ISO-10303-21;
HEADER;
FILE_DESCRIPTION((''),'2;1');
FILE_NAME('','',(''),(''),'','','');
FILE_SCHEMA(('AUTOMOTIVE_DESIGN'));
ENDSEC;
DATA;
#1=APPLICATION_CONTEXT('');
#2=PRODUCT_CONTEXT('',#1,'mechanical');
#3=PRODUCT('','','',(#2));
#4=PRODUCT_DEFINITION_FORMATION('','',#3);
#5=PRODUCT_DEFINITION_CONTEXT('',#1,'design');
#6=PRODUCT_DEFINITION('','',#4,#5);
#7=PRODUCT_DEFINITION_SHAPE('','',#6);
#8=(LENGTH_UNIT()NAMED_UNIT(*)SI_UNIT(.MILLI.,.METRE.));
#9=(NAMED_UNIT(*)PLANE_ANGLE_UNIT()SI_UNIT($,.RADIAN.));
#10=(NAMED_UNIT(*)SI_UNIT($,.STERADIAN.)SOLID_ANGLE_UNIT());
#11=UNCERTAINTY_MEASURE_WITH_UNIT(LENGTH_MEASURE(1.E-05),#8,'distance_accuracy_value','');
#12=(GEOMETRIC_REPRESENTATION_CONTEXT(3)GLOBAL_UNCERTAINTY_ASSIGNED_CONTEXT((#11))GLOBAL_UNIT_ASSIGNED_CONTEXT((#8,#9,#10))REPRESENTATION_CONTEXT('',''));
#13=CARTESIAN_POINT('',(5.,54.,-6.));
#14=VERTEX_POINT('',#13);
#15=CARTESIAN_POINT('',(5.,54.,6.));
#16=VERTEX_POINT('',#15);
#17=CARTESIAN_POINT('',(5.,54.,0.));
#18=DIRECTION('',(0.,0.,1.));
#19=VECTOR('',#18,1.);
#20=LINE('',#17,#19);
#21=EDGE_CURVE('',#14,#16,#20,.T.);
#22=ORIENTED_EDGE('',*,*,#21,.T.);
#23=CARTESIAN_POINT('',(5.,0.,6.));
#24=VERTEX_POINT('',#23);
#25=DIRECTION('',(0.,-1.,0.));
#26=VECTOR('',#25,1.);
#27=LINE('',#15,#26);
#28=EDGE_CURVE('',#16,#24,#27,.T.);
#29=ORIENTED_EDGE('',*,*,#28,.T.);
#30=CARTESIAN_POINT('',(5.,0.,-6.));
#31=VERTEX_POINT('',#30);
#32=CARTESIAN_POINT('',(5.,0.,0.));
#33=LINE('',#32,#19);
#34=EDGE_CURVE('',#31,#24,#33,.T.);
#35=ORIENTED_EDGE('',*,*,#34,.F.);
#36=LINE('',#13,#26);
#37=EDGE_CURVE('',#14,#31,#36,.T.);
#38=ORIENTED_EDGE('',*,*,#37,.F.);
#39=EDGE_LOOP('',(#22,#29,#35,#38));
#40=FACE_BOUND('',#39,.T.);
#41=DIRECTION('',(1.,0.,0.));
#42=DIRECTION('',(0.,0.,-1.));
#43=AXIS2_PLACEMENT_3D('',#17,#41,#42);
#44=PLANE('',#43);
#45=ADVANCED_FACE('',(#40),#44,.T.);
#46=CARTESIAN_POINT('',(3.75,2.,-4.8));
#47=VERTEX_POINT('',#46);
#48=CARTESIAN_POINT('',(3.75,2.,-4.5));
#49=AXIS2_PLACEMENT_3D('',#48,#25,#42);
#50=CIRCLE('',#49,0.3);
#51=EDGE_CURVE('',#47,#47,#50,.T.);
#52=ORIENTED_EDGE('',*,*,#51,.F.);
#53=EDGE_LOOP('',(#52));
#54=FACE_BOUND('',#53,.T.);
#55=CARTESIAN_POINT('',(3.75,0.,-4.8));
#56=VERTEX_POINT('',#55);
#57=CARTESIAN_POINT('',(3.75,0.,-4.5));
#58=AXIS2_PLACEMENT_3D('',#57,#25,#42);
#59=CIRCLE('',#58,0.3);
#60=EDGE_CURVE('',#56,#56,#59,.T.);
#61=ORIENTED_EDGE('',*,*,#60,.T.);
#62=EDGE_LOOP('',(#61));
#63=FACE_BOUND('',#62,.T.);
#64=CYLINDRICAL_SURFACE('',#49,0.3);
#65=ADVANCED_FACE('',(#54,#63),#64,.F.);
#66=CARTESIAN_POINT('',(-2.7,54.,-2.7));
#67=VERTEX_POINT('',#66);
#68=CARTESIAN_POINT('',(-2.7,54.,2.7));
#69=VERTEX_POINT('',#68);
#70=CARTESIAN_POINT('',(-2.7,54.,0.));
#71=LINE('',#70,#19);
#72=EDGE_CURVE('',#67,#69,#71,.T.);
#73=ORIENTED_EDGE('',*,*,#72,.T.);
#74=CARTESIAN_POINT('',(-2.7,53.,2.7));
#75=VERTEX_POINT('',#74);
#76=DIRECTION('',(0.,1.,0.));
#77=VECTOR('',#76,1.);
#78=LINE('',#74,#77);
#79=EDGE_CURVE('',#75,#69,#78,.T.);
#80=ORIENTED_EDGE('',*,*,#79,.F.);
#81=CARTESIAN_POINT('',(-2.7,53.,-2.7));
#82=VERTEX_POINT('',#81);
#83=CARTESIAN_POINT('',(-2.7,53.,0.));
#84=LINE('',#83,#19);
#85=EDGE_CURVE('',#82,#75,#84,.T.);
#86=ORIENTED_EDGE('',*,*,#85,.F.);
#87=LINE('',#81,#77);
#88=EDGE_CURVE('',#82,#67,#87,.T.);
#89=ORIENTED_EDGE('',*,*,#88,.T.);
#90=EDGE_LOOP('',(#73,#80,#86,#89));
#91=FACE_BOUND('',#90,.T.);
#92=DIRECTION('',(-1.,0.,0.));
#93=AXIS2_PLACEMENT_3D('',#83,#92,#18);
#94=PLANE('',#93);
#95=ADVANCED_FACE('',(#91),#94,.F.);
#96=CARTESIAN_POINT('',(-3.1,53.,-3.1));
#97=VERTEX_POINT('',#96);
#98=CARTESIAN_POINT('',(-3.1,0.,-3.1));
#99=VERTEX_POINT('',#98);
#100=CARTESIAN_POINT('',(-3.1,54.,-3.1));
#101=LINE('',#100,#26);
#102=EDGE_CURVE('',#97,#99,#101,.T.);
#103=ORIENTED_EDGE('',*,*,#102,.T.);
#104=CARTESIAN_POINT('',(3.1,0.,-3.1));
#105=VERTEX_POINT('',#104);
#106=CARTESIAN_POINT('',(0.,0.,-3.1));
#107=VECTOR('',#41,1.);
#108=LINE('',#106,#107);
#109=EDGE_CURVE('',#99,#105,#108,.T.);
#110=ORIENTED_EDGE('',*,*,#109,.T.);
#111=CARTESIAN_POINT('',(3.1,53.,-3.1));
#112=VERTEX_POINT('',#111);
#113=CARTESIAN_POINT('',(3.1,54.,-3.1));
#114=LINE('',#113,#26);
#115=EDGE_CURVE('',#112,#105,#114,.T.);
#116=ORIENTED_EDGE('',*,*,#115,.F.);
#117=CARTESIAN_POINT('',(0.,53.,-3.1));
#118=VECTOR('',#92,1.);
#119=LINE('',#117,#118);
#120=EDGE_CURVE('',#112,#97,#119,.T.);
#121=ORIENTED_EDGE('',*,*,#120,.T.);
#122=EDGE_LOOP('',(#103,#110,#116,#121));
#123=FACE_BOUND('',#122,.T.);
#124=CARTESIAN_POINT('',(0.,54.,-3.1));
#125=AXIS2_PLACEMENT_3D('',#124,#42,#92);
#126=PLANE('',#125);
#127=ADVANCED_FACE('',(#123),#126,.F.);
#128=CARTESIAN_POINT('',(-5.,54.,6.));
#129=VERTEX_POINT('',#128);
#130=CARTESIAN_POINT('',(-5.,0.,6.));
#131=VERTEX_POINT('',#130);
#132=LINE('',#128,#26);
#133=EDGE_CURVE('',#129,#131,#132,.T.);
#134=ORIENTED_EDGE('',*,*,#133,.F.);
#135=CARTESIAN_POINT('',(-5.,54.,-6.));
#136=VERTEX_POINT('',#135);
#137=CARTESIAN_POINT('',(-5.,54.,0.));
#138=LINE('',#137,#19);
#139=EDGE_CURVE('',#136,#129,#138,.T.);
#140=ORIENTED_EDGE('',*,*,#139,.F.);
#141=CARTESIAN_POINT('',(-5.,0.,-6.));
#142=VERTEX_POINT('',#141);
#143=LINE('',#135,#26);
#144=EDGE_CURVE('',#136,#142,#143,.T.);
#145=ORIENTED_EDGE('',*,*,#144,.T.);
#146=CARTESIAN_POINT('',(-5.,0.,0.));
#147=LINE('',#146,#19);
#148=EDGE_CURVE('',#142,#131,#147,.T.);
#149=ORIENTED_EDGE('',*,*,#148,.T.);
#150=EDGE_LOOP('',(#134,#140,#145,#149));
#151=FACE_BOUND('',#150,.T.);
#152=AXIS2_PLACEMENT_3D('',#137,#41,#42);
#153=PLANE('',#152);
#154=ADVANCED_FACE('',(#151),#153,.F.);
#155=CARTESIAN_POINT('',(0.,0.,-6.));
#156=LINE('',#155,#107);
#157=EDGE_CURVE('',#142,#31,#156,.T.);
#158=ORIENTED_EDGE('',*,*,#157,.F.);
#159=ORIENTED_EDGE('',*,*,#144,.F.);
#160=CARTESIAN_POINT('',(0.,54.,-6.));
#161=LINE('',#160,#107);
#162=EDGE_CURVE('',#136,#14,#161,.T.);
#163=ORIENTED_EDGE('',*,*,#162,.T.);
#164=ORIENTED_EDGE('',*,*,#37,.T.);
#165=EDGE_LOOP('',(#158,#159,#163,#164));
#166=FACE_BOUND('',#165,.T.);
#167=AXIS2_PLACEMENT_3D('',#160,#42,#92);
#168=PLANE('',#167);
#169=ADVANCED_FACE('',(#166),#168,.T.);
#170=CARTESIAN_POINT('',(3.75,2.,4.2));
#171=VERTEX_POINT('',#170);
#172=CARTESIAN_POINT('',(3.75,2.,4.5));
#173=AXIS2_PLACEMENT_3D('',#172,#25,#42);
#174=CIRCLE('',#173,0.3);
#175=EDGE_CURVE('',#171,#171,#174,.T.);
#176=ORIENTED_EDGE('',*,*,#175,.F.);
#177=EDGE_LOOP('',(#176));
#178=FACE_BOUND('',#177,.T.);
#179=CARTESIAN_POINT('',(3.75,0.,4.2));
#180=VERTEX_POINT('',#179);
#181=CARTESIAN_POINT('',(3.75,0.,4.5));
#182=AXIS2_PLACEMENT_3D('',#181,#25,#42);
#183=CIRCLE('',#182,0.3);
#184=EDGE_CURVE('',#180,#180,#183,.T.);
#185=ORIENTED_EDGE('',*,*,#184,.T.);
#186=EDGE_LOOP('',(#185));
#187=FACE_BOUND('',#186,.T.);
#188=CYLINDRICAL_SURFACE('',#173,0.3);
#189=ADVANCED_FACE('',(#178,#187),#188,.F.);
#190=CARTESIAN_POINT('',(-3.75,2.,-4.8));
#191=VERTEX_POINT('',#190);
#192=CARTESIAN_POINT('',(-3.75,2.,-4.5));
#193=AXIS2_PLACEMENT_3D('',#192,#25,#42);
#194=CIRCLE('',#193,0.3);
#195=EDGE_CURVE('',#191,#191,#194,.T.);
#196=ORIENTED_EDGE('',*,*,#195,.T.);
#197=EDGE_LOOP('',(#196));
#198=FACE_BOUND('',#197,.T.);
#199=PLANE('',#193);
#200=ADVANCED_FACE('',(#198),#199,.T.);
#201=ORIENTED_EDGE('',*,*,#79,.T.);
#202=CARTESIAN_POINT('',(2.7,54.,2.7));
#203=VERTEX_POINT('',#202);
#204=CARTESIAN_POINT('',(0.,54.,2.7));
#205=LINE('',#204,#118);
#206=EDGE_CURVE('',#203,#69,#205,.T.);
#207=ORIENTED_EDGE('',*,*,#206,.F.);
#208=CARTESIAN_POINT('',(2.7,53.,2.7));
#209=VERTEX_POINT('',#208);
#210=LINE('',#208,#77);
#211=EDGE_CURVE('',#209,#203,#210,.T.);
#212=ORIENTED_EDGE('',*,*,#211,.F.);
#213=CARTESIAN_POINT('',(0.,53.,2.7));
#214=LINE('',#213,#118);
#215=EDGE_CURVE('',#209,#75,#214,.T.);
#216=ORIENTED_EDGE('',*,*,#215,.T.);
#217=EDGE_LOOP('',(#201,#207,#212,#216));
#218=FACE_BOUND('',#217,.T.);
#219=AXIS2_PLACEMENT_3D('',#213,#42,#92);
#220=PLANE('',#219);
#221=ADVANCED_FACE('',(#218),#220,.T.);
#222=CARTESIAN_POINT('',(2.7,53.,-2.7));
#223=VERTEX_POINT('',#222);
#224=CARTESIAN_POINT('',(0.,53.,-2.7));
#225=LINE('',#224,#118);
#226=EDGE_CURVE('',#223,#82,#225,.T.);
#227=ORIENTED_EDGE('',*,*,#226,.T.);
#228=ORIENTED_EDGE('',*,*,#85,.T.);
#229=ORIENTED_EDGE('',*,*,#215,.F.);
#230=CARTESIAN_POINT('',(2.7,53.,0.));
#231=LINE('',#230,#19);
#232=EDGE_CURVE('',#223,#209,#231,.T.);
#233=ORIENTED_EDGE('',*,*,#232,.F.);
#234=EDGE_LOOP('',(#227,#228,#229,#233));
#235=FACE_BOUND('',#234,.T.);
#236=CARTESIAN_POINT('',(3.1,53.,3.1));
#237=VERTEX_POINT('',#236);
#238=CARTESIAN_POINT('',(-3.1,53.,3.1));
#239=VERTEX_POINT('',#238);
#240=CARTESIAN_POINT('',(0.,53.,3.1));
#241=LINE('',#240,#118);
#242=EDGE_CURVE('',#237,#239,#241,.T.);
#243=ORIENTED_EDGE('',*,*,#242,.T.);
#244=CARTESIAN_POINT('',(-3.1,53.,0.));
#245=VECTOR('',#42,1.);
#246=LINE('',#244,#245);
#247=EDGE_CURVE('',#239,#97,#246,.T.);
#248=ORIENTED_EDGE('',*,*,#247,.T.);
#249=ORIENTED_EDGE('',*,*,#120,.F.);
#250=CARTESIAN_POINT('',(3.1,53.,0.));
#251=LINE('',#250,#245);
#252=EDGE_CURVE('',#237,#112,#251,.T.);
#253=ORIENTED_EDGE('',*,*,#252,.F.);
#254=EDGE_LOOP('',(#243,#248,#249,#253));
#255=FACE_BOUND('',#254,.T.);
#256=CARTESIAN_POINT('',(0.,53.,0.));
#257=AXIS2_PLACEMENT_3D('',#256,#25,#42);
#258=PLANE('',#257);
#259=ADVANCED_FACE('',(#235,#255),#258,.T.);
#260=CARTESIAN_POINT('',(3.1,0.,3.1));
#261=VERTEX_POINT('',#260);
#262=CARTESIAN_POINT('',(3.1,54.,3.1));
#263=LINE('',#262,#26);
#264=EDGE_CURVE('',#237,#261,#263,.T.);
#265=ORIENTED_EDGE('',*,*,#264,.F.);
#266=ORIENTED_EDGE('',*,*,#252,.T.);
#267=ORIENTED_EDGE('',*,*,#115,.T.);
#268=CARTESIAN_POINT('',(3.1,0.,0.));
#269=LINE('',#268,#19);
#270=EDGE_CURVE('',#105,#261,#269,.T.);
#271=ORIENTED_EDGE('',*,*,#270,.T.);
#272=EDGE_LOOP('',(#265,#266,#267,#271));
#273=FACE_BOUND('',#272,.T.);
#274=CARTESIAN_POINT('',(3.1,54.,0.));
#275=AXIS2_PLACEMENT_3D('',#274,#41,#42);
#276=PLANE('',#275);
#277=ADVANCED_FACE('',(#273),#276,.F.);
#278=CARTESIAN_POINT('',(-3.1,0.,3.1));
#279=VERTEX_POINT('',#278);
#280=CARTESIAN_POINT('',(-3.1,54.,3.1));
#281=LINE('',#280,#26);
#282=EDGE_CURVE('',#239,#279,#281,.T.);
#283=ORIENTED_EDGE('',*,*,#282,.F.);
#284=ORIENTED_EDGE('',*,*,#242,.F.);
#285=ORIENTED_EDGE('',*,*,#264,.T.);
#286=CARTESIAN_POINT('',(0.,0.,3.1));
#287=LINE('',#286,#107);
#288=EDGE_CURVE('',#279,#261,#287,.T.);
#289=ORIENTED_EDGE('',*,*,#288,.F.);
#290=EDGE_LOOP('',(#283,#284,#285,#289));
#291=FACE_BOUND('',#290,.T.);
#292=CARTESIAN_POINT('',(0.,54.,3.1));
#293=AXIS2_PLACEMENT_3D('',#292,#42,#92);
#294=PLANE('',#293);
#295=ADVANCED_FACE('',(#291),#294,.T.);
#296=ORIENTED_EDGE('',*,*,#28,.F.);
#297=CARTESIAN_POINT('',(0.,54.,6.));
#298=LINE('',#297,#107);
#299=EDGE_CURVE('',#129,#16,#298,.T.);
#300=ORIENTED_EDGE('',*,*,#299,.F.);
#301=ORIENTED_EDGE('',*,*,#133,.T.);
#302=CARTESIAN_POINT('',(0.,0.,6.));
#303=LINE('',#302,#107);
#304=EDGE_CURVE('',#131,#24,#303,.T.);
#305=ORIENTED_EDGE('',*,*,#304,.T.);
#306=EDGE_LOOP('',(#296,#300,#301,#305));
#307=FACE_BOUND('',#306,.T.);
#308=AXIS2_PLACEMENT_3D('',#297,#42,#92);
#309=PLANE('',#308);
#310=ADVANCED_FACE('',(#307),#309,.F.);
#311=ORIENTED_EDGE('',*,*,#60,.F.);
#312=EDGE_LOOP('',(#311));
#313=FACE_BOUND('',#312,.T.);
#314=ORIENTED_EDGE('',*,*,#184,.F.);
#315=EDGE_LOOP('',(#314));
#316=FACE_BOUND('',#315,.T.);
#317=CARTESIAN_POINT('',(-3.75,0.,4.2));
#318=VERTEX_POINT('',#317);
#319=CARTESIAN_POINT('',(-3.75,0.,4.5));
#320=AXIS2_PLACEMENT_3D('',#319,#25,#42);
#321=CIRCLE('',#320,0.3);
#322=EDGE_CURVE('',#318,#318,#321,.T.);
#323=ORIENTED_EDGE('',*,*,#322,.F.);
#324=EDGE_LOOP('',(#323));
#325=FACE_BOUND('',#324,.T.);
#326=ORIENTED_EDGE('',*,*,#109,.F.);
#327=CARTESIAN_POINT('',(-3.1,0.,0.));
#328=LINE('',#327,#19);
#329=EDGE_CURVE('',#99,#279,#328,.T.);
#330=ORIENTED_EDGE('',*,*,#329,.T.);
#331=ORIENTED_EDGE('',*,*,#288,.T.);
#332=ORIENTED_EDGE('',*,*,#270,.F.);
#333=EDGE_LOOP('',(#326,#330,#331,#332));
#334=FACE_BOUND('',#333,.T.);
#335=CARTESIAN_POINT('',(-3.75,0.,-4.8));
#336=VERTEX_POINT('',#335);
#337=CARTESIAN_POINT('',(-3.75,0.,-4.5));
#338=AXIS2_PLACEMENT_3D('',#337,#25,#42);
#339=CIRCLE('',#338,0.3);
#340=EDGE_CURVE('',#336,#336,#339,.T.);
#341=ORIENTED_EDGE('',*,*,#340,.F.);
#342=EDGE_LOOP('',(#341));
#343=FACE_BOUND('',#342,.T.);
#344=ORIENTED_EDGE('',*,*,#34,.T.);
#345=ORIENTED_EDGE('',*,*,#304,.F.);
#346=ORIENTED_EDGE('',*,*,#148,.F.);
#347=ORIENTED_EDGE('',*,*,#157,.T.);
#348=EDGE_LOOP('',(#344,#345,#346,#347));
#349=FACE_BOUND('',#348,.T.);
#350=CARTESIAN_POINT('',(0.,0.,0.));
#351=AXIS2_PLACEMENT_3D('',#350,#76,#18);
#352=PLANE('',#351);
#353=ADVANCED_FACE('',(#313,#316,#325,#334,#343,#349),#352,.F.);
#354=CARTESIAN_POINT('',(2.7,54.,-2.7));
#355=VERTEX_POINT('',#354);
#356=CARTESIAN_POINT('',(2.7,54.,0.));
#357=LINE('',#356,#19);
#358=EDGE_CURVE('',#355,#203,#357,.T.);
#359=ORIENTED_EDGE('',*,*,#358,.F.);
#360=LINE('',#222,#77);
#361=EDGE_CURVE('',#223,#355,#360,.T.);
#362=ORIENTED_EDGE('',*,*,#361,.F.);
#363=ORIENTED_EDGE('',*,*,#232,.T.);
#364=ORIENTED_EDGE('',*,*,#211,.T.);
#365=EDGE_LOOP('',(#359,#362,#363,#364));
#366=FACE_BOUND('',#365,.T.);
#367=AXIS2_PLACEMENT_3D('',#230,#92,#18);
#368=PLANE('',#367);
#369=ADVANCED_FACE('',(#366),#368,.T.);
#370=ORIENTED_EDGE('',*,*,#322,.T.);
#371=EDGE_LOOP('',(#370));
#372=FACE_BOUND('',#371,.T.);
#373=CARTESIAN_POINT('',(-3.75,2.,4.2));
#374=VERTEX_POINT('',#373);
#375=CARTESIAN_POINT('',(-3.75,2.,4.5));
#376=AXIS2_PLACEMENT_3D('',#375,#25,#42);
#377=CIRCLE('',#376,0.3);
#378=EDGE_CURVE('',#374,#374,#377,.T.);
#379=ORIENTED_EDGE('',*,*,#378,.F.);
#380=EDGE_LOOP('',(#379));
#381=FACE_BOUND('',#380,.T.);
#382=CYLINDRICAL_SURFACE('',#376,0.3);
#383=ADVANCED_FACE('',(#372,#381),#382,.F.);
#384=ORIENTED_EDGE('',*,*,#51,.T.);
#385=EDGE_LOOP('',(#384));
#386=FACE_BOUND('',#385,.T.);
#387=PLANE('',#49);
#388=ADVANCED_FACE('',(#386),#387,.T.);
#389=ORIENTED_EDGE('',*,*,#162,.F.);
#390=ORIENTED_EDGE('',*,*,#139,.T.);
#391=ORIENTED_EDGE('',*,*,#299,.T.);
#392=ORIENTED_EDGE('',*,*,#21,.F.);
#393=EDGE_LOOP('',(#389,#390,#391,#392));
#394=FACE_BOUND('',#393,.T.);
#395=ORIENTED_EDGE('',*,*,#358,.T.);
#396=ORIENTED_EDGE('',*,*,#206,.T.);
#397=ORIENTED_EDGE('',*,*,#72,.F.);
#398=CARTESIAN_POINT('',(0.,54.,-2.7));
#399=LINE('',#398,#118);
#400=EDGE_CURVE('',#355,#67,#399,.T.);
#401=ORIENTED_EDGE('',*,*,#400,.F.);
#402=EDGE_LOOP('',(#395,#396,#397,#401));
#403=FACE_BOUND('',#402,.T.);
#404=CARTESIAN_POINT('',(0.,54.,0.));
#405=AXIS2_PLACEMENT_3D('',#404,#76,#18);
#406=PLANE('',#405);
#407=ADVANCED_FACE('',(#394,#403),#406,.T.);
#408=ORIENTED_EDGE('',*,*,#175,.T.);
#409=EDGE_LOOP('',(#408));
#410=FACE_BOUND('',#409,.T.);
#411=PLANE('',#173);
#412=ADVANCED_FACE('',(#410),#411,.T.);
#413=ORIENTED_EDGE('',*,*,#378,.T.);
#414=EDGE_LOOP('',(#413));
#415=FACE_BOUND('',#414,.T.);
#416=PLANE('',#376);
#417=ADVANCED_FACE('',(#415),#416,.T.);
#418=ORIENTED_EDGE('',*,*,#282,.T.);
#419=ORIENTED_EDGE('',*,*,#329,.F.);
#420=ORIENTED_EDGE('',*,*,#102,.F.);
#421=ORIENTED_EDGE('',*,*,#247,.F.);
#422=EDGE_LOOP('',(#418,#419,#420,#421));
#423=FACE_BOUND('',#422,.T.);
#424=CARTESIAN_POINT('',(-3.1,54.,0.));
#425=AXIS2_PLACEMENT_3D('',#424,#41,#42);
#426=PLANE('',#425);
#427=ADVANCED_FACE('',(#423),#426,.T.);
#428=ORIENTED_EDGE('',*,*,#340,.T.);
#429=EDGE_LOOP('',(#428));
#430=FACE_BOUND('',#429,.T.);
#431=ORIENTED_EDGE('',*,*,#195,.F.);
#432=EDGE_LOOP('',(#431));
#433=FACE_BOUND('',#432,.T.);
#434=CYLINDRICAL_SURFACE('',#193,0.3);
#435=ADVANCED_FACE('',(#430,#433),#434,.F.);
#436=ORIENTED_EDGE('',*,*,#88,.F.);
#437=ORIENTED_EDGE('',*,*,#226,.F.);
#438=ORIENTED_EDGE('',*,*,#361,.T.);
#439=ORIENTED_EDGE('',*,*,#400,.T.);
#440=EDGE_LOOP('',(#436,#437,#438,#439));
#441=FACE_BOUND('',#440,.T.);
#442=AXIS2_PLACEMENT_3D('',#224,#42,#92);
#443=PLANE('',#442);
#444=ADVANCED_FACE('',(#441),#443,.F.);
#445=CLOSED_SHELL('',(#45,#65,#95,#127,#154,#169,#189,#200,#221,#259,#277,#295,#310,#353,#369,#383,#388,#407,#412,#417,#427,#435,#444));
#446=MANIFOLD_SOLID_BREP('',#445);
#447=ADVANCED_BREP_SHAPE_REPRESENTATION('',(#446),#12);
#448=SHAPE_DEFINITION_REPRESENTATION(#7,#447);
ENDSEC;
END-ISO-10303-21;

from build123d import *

# Parameters (mm, degrees)
SKETCH_1_W          = 10
SKETCH_1_H          = 12
SKETCH_1_W_2        = 6.2
SKETCH_1_H_2        = 6.2
EXTRUDE_1_DEPTH     = 54
EXTRUDE_START       = 54
SKETCH_1_3_W        = 10
SKETCH_1_3_H        = 12
SKETCH_1_3_W_2      = 6.2
SKETCH_1_3_H_2      = 6.2
SKETCH_1_3_W_3      = 5.4
SKETCH_1_3_H_3      = 5.4
EXTRUDE_2_DEPTH     = 1
SKETCH_2_R          = 0.3
CUT_EXTRUDE_1_DEPTH = 2


with BuildPart() as part:
    # 草图1 → 凸台-拉伸1 (new body)
    with BuildSketch(Plane(origin=(0, 0, 0), x_dir=(1, 0, 0), z_dir=(0, 1, 0))):
        Rectangle(SKETCH_1_W, SKETCH_1_H)
        Rectangle(SKETCH_1_W_2, SKETCH_1_H_2, mode=Mode.SUBTRACT)
    extrude(amount=EXTRUDE_1_DEPTH)

    # 草图1<3> → 凸台-拉伸2 (add)
    # profile 1 of 2: a face of its own
    with BuildSketch(Plane(origin=(0, 0, 0), x_dir=(1, 0, 0), z_dir=(0, 1, 0)).offset(EXTRUDE_START)):
        Rectangle(SKETCH_1_3_W, SKETCH_1_3_H)
        Rectangle(SKETCH_1_3_W_2, SKETCH_1_3_H_2, mode=Mode.SUBTRACT)
    # profile 2 of 2: a face of its own
    with BuildSketch(Plane(origin=(0, 0, 0), x_dir=(1, 0, 0), z_dir=(0, 1, 0)).offset(EXTRUDE_START)):
        Rectangle(SKETCH_1_3_W_2, SKETCH_1_3_H_2)
        Rectangle(SKETCH_1_3_W_3, SKETCH_1_3_H_3, mode=Mode.SUBTRACT)
    extrude(amount=-EXTRUDE_2_DEPTH)

    # 草图2 → 切除-拉伸1 (cut)
    with BuildSketch(Plane.XZ):
        with Locations(Location((-3.75, 4.5, 0), (0, 0, 270))):
            Circle(SKETCH_2_R)
        with Locations(Location((3.75, -4.5, 0), (0, 0, 270))):
            Circle(SKETCH_2_R)
        with Locations(Location((3.75, 4.5, 0), (0, 0, 270))):
            Circle(SKETCH_2_R)
        with Locations(Location((-3.75, -4.5, 0), (0, 0, 270))):
            Circle(SKETCH_2_R)
    extrude(amount=-CUT_EXTRUDE_1_DEPTH, mode=Mode.SUBTRACT)


solid = part.part
